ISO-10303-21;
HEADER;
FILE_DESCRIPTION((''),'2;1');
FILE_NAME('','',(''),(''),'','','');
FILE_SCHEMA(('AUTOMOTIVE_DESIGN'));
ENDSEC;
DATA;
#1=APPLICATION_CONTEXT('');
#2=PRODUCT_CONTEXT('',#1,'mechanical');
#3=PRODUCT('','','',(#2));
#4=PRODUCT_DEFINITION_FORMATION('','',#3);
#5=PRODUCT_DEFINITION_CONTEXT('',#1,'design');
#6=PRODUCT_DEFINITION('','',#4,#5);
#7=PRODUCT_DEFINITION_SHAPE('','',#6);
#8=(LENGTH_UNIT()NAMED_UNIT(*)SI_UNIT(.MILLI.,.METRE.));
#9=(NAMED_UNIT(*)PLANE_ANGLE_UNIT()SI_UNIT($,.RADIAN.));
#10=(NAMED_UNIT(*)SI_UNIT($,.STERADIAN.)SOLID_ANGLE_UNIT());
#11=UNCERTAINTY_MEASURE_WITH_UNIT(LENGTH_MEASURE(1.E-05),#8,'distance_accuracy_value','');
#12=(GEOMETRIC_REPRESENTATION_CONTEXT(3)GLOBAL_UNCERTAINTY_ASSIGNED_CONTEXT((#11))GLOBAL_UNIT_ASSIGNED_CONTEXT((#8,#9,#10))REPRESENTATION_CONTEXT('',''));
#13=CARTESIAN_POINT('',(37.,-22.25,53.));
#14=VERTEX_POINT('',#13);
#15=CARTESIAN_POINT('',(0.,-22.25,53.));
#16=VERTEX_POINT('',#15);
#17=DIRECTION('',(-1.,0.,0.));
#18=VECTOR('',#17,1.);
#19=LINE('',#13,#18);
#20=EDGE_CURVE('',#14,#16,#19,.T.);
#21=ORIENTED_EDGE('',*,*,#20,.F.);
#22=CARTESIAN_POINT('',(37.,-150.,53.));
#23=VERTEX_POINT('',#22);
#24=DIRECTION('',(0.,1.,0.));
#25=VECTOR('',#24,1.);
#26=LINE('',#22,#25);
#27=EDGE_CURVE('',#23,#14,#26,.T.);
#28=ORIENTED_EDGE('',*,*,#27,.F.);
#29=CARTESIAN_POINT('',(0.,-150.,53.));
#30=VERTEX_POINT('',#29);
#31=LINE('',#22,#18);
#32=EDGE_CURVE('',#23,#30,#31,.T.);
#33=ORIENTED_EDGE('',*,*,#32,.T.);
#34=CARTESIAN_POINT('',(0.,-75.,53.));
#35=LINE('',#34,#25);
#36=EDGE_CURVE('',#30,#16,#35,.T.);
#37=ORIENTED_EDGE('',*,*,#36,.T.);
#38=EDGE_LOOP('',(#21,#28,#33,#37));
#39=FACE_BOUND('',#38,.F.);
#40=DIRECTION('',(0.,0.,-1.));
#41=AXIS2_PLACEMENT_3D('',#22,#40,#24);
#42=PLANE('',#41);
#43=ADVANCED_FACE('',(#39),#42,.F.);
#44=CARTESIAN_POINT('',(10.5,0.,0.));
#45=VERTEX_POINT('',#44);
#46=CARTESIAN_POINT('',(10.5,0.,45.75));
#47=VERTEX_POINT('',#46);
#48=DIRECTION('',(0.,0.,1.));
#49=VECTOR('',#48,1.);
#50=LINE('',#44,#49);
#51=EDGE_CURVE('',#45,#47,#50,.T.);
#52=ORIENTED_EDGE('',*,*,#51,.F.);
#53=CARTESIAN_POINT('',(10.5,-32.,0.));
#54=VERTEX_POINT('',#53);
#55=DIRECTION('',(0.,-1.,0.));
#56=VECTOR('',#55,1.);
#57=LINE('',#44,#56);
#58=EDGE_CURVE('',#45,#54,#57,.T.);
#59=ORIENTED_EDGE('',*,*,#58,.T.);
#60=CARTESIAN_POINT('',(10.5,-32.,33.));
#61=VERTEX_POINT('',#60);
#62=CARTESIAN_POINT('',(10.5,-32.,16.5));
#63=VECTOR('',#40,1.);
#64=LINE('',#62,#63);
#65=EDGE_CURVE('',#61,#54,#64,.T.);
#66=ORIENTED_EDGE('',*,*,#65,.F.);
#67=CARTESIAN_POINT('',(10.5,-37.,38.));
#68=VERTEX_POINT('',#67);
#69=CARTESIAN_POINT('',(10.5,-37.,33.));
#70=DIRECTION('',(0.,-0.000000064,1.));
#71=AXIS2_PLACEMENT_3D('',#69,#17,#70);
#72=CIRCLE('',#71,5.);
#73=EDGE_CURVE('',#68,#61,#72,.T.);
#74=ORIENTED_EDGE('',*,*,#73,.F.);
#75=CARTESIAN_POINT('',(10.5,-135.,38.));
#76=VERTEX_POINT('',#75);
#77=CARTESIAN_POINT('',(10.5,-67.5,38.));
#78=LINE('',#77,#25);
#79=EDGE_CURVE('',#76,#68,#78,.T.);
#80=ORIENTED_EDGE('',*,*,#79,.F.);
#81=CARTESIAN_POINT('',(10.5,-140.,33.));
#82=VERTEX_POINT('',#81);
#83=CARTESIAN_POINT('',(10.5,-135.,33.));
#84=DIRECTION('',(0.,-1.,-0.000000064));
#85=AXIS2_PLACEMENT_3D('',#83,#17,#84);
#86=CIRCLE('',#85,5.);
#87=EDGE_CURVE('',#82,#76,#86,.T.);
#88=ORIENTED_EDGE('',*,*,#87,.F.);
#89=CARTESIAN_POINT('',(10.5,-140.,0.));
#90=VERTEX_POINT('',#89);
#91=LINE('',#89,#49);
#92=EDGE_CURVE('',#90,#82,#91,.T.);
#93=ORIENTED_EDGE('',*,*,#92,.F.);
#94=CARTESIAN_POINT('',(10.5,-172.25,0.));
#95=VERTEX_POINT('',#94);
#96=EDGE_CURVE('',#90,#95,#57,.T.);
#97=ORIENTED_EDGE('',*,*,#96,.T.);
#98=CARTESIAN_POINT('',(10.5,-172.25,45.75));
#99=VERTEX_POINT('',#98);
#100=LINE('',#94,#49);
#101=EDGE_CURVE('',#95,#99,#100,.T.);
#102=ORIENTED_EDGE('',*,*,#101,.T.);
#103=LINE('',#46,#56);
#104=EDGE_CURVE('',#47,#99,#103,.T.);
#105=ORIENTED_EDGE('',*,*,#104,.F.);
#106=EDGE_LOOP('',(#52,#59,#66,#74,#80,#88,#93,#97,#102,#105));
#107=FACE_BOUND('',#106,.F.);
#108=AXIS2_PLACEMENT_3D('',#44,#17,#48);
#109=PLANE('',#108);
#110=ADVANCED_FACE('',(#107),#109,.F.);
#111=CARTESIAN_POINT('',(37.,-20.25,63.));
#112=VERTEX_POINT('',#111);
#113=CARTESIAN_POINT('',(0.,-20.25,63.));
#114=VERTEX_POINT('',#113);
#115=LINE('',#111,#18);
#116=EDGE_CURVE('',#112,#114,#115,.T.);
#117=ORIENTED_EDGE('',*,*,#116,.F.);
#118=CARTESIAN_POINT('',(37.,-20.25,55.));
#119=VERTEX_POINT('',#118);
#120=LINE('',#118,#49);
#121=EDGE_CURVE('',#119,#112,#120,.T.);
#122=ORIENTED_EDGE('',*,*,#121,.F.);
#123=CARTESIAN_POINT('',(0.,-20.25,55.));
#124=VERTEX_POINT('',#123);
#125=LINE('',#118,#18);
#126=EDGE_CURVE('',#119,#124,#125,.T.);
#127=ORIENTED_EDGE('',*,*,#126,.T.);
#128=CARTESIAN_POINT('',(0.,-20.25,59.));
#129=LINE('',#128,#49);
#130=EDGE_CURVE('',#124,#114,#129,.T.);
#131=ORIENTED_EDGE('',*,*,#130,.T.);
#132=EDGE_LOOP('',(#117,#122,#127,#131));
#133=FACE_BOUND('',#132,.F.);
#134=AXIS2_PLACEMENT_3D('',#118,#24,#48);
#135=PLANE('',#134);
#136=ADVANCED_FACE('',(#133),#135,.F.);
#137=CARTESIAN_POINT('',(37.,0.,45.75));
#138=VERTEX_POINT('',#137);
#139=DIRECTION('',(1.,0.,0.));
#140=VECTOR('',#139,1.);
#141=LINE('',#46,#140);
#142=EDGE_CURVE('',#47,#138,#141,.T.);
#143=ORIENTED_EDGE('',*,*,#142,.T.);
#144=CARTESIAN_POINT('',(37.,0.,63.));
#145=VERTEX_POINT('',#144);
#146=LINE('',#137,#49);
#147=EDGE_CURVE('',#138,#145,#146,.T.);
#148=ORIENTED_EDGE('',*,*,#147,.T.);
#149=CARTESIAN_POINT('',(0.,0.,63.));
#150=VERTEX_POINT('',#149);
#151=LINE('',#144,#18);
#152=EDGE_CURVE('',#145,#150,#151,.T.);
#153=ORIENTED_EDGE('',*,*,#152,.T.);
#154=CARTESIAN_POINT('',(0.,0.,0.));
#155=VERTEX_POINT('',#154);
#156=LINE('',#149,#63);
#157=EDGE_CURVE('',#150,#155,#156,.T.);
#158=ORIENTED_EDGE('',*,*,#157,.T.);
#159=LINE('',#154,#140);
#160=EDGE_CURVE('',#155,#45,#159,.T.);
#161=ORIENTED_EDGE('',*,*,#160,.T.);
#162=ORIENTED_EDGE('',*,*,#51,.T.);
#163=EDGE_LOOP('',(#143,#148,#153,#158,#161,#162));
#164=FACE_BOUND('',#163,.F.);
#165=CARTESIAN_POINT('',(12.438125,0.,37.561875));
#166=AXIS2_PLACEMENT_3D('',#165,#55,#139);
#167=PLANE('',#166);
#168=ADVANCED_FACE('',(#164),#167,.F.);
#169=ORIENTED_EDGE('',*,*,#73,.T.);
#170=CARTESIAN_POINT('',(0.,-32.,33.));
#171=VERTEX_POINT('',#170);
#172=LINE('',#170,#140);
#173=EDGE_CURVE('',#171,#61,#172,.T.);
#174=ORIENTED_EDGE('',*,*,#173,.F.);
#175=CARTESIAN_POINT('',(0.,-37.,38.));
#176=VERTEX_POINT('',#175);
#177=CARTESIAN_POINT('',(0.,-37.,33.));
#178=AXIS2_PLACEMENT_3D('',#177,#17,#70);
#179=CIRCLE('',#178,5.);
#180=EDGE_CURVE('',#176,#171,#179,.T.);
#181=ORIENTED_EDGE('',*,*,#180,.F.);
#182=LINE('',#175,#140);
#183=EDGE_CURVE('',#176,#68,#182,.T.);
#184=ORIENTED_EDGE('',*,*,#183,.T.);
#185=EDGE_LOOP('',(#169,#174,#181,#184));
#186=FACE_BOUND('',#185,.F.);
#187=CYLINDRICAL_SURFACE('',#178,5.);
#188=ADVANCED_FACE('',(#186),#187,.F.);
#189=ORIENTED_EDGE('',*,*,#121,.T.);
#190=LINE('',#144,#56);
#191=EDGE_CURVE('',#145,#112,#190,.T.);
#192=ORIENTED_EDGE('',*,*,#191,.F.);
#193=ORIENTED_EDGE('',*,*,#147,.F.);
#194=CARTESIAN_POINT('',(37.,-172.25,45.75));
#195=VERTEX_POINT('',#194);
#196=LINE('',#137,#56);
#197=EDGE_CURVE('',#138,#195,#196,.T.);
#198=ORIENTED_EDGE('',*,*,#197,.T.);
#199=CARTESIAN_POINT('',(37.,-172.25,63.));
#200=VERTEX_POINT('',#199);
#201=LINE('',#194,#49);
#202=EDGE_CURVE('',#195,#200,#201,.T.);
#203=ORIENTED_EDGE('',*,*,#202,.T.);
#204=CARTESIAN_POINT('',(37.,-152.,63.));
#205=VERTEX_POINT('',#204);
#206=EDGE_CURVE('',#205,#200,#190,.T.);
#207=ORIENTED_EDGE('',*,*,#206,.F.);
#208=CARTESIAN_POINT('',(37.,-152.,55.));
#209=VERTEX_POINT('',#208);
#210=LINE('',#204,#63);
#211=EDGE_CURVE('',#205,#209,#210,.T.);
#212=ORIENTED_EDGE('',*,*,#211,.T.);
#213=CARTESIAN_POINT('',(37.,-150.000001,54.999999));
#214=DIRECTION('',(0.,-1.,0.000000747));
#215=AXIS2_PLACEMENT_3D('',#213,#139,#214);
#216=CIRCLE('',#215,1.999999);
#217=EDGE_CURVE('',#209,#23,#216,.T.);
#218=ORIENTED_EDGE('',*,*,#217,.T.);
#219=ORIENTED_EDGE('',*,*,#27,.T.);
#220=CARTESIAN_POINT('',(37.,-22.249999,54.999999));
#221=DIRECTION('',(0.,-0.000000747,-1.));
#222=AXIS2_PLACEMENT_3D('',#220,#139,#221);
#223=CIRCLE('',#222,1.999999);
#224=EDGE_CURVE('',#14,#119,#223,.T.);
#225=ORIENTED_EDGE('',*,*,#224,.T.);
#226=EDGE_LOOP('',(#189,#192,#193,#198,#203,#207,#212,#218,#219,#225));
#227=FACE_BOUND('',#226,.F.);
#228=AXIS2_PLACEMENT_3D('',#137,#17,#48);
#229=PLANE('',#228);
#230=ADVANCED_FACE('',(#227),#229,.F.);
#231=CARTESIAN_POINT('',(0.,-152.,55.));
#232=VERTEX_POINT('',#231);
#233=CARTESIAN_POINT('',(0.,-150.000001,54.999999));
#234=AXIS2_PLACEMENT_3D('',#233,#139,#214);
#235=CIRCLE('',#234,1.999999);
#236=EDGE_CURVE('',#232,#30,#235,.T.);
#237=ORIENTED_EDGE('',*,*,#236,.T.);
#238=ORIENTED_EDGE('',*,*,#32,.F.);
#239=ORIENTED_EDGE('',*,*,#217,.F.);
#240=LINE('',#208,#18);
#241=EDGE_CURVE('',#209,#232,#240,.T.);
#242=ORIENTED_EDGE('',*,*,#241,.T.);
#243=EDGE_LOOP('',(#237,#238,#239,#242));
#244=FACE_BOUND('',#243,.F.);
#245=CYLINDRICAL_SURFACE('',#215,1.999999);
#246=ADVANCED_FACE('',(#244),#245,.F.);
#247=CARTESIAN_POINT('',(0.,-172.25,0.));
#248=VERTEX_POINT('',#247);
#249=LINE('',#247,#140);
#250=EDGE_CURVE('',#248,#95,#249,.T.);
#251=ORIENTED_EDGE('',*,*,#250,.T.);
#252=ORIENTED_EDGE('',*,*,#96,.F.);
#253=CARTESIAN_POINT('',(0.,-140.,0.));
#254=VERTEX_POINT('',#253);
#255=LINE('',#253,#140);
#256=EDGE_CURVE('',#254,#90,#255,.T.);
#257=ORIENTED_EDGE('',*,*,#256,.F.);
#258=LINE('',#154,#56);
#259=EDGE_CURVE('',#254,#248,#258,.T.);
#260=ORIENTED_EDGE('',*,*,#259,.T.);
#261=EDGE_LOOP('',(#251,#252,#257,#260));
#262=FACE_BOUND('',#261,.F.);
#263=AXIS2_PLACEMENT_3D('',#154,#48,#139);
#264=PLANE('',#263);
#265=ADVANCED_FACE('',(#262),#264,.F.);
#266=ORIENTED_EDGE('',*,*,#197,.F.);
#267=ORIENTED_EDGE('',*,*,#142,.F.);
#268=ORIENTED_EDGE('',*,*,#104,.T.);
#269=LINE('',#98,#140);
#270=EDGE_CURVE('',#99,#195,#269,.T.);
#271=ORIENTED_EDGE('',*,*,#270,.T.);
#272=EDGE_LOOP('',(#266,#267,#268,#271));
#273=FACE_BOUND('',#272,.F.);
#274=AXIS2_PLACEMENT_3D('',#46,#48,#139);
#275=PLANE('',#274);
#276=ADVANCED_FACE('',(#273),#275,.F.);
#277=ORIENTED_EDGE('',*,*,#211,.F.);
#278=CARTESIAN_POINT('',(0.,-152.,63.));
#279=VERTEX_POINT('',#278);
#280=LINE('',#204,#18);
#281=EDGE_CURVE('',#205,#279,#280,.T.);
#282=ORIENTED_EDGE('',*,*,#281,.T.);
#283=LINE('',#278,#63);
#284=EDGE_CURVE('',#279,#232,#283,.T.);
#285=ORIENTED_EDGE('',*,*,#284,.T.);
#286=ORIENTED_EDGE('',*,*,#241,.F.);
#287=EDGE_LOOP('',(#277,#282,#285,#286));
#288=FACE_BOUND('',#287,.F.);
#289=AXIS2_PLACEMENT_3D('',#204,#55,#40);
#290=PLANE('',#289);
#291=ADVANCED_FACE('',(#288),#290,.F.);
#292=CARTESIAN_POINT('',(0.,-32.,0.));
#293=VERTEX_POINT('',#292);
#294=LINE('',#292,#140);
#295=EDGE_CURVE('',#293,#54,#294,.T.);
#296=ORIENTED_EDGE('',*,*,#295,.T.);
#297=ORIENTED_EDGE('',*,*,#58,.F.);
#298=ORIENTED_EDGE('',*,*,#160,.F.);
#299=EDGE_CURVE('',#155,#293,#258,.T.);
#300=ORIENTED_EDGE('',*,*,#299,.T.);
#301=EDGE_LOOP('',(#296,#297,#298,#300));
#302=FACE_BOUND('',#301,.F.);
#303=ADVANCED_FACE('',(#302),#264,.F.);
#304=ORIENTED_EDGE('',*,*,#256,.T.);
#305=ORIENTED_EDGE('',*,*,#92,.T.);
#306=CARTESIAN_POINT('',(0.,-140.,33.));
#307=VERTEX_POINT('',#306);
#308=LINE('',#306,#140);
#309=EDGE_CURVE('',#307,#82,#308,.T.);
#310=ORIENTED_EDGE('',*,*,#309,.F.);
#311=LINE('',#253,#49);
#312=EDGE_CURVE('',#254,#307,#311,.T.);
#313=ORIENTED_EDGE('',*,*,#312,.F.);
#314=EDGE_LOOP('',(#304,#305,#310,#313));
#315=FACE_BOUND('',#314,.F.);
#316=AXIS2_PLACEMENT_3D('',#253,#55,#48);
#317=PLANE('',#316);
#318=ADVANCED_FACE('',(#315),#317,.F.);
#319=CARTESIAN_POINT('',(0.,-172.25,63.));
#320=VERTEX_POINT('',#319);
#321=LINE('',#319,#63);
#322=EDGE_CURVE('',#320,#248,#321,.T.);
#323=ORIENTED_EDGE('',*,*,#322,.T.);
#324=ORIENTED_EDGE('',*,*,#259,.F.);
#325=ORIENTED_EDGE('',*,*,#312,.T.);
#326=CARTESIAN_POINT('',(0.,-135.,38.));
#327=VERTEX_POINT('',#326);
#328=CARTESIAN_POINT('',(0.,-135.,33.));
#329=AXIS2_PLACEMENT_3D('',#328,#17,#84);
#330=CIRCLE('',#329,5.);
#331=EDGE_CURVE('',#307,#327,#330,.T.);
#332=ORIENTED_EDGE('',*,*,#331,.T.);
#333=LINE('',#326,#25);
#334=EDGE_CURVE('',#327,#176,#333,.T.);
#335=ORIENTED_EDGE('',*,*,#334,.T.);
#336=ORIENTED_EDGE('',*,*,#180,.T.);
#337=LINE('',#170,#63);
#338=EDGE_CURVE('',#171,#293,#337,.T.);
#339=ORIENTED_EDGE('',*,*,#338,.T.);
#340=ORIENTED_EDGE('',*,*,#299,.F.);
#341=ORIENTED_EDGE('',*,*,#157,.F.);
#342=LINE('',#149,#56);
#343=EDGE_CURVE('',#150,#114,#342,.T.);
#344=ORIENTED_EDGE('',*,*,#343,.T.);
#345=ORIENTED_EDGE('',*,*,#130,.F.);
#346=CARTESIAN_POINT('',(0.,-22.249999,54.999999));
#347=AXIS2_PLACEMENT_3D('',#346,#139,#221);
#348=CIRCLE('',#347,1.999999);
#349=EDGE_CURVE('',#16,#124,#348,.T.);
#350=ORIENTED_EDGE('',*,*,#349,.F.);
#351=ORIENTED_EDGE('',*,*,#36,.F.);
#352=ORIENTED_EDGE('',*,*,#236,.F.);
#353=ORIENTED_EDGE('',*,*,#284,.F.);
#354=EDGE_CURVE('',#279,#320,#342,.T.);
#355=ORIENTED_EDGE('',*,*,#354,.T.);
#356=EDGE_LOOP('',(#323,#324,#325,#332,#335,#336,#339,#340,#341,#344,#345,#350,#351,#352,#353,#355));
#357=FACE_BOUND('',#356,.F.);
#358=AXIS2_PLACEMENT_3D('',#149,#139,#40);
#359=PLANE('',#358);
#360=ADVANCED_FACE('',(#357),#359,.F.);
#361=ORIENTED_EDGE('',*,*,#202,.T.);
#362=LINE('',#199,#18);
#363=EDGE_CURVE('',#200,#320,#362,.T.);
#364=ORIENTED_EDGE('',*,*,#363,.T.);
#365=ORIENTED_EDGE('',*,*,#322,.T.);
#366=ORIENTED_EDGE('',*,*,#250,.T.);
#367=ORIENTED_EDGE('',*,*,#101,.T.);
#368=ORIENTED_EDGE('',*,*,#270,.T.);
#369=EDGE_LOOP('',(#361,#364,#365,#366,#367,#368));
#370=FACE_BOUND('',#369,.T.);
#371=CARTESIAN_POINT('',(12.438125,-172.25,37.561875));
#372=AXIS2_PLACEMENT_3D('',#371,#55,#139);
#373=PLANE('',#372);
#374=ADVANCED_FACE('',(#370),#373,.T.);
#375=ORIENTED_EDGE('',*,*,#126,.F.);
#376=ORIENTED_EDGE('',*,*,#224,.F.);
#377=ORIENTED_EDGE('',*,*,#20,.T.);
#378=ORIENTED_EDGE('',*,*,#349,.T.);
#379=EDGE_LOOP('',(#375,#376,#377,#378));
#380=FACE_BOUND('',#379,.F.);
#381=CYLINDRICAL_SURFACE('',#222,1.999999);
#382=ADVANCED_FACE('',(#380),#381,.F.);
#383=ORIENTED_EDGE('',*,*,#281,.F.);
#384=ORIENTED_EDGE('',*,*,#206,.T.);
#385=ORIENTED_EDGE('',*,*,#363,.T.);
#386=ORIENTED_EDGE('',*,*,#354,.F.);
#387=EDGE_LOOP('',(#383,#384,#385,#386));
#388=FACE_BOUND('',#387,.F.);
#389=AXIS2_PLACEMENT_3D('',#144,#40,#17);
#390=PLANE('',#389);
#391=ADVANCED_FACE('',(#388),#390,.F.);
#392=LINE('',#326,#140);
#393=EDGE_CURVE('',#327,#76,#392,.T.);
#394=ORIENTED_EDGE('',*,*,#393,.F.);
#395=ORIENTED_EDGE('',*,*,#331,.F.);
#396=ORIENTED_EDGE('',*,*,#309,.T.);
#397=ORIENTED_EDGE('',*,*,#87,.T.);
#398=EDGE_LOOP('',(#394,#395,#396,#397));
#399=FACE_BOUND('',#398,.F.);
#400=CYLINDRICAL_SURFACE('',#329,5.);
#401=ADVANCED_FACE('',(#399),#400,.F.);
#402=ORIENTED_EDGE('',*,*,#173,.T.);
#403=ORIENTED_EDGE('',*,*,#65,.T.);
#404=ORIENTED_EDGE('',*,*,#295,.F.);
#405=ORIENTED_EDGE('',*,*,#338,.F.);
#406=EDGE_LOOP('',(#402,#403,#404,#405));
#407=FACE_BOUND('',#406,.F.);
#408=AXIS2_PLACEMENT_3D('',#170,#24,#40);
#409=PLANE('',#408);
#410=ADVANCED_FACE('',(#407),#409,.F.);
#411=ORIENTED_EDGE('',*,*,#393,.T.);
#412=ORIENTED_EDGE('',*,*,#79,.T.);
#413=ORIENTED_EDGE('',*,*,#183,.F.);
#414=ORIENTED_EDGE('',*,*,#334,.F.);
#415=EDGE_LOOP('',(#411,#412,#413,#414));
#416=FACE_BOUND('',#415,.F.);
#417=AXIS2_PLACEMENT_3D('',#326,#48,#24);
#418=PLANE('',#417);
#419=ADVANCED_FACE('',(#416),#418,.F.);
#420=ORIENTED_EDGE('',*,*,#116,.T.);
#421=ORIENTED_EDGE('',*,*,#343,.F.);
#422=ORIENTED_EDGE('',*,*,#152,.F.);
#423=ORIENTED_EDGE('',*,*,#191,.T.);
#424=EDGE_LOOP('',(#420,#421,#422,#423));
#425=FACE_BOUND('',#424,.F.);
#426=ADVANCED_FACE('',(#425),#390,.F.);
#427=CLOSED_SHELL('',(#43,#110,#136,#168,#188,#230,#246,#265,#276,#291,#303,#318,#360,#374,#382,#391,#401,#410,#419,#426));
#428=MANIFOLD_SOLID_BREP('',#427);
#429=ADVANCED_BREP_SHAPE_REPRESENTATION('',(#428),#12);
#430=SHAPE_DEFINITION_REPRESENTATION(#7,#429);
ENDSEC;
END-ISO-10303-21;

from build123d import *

# Parameters (mm, degrees)
F1_DEPTH = 172.25
F3_DEPTH = 50
F5_DEPTH = 25


with BuildPart() as f1:
    # F0 (on Front) → F1 (new body)
    with BuildSketch(Plane.XZ):
        Polygon((0, 63), (0, 0), (10.5, 0), (10.5, 45.75), (37, 45.75), (37, 63), align=None)
    extrude(amount=F1_DEPTH)

    # F2 (on face) → F3 (cut)
    with BuildSketch(Plane.YZ.offset(37)):
        with BuildLine():
            Line((-20.25, 63), (-152, 63))
            Line((-152, 63), (-152, 55))
            ThreePointArc((-152, 55), (-151.414214, 53.585786), (-150, 53))
            Line((-150, 53), (-22.25, 53))
            ThreePointArc((-22.25, 53), (-20.835786, 53.585786), (-20.25, 55))
            Line((-20.25, 55), (-20.25, 63))
        make_face()
    extrude(amount=-F3_DEPTH, mode=Mode.SUBTRACT)

    # F4 (on face) → F5 (cut)
    with BuildSketch(Plane(origin=(0, 0, 0), x_dir=(0, -1, 0), z_dir=(-1, 0, 0))):
        with BuildLine():
            Line((32, 33), (32, 0))
            Line((32, 0), (140, 0))
            Line((140, 0), (140, 33))
            ThreePointArc((140, 33), (138.535534, 36.535534), (135, 38))
            Line((135, 38), (37, 38))
            ThreePointArc((37, 38), (33.464466, 36.535534), (32, 33))
        make_face()
    extrude(amount=-F5_DEPTH, mode=Mode.SUBTRACT)


solid = f1.part
